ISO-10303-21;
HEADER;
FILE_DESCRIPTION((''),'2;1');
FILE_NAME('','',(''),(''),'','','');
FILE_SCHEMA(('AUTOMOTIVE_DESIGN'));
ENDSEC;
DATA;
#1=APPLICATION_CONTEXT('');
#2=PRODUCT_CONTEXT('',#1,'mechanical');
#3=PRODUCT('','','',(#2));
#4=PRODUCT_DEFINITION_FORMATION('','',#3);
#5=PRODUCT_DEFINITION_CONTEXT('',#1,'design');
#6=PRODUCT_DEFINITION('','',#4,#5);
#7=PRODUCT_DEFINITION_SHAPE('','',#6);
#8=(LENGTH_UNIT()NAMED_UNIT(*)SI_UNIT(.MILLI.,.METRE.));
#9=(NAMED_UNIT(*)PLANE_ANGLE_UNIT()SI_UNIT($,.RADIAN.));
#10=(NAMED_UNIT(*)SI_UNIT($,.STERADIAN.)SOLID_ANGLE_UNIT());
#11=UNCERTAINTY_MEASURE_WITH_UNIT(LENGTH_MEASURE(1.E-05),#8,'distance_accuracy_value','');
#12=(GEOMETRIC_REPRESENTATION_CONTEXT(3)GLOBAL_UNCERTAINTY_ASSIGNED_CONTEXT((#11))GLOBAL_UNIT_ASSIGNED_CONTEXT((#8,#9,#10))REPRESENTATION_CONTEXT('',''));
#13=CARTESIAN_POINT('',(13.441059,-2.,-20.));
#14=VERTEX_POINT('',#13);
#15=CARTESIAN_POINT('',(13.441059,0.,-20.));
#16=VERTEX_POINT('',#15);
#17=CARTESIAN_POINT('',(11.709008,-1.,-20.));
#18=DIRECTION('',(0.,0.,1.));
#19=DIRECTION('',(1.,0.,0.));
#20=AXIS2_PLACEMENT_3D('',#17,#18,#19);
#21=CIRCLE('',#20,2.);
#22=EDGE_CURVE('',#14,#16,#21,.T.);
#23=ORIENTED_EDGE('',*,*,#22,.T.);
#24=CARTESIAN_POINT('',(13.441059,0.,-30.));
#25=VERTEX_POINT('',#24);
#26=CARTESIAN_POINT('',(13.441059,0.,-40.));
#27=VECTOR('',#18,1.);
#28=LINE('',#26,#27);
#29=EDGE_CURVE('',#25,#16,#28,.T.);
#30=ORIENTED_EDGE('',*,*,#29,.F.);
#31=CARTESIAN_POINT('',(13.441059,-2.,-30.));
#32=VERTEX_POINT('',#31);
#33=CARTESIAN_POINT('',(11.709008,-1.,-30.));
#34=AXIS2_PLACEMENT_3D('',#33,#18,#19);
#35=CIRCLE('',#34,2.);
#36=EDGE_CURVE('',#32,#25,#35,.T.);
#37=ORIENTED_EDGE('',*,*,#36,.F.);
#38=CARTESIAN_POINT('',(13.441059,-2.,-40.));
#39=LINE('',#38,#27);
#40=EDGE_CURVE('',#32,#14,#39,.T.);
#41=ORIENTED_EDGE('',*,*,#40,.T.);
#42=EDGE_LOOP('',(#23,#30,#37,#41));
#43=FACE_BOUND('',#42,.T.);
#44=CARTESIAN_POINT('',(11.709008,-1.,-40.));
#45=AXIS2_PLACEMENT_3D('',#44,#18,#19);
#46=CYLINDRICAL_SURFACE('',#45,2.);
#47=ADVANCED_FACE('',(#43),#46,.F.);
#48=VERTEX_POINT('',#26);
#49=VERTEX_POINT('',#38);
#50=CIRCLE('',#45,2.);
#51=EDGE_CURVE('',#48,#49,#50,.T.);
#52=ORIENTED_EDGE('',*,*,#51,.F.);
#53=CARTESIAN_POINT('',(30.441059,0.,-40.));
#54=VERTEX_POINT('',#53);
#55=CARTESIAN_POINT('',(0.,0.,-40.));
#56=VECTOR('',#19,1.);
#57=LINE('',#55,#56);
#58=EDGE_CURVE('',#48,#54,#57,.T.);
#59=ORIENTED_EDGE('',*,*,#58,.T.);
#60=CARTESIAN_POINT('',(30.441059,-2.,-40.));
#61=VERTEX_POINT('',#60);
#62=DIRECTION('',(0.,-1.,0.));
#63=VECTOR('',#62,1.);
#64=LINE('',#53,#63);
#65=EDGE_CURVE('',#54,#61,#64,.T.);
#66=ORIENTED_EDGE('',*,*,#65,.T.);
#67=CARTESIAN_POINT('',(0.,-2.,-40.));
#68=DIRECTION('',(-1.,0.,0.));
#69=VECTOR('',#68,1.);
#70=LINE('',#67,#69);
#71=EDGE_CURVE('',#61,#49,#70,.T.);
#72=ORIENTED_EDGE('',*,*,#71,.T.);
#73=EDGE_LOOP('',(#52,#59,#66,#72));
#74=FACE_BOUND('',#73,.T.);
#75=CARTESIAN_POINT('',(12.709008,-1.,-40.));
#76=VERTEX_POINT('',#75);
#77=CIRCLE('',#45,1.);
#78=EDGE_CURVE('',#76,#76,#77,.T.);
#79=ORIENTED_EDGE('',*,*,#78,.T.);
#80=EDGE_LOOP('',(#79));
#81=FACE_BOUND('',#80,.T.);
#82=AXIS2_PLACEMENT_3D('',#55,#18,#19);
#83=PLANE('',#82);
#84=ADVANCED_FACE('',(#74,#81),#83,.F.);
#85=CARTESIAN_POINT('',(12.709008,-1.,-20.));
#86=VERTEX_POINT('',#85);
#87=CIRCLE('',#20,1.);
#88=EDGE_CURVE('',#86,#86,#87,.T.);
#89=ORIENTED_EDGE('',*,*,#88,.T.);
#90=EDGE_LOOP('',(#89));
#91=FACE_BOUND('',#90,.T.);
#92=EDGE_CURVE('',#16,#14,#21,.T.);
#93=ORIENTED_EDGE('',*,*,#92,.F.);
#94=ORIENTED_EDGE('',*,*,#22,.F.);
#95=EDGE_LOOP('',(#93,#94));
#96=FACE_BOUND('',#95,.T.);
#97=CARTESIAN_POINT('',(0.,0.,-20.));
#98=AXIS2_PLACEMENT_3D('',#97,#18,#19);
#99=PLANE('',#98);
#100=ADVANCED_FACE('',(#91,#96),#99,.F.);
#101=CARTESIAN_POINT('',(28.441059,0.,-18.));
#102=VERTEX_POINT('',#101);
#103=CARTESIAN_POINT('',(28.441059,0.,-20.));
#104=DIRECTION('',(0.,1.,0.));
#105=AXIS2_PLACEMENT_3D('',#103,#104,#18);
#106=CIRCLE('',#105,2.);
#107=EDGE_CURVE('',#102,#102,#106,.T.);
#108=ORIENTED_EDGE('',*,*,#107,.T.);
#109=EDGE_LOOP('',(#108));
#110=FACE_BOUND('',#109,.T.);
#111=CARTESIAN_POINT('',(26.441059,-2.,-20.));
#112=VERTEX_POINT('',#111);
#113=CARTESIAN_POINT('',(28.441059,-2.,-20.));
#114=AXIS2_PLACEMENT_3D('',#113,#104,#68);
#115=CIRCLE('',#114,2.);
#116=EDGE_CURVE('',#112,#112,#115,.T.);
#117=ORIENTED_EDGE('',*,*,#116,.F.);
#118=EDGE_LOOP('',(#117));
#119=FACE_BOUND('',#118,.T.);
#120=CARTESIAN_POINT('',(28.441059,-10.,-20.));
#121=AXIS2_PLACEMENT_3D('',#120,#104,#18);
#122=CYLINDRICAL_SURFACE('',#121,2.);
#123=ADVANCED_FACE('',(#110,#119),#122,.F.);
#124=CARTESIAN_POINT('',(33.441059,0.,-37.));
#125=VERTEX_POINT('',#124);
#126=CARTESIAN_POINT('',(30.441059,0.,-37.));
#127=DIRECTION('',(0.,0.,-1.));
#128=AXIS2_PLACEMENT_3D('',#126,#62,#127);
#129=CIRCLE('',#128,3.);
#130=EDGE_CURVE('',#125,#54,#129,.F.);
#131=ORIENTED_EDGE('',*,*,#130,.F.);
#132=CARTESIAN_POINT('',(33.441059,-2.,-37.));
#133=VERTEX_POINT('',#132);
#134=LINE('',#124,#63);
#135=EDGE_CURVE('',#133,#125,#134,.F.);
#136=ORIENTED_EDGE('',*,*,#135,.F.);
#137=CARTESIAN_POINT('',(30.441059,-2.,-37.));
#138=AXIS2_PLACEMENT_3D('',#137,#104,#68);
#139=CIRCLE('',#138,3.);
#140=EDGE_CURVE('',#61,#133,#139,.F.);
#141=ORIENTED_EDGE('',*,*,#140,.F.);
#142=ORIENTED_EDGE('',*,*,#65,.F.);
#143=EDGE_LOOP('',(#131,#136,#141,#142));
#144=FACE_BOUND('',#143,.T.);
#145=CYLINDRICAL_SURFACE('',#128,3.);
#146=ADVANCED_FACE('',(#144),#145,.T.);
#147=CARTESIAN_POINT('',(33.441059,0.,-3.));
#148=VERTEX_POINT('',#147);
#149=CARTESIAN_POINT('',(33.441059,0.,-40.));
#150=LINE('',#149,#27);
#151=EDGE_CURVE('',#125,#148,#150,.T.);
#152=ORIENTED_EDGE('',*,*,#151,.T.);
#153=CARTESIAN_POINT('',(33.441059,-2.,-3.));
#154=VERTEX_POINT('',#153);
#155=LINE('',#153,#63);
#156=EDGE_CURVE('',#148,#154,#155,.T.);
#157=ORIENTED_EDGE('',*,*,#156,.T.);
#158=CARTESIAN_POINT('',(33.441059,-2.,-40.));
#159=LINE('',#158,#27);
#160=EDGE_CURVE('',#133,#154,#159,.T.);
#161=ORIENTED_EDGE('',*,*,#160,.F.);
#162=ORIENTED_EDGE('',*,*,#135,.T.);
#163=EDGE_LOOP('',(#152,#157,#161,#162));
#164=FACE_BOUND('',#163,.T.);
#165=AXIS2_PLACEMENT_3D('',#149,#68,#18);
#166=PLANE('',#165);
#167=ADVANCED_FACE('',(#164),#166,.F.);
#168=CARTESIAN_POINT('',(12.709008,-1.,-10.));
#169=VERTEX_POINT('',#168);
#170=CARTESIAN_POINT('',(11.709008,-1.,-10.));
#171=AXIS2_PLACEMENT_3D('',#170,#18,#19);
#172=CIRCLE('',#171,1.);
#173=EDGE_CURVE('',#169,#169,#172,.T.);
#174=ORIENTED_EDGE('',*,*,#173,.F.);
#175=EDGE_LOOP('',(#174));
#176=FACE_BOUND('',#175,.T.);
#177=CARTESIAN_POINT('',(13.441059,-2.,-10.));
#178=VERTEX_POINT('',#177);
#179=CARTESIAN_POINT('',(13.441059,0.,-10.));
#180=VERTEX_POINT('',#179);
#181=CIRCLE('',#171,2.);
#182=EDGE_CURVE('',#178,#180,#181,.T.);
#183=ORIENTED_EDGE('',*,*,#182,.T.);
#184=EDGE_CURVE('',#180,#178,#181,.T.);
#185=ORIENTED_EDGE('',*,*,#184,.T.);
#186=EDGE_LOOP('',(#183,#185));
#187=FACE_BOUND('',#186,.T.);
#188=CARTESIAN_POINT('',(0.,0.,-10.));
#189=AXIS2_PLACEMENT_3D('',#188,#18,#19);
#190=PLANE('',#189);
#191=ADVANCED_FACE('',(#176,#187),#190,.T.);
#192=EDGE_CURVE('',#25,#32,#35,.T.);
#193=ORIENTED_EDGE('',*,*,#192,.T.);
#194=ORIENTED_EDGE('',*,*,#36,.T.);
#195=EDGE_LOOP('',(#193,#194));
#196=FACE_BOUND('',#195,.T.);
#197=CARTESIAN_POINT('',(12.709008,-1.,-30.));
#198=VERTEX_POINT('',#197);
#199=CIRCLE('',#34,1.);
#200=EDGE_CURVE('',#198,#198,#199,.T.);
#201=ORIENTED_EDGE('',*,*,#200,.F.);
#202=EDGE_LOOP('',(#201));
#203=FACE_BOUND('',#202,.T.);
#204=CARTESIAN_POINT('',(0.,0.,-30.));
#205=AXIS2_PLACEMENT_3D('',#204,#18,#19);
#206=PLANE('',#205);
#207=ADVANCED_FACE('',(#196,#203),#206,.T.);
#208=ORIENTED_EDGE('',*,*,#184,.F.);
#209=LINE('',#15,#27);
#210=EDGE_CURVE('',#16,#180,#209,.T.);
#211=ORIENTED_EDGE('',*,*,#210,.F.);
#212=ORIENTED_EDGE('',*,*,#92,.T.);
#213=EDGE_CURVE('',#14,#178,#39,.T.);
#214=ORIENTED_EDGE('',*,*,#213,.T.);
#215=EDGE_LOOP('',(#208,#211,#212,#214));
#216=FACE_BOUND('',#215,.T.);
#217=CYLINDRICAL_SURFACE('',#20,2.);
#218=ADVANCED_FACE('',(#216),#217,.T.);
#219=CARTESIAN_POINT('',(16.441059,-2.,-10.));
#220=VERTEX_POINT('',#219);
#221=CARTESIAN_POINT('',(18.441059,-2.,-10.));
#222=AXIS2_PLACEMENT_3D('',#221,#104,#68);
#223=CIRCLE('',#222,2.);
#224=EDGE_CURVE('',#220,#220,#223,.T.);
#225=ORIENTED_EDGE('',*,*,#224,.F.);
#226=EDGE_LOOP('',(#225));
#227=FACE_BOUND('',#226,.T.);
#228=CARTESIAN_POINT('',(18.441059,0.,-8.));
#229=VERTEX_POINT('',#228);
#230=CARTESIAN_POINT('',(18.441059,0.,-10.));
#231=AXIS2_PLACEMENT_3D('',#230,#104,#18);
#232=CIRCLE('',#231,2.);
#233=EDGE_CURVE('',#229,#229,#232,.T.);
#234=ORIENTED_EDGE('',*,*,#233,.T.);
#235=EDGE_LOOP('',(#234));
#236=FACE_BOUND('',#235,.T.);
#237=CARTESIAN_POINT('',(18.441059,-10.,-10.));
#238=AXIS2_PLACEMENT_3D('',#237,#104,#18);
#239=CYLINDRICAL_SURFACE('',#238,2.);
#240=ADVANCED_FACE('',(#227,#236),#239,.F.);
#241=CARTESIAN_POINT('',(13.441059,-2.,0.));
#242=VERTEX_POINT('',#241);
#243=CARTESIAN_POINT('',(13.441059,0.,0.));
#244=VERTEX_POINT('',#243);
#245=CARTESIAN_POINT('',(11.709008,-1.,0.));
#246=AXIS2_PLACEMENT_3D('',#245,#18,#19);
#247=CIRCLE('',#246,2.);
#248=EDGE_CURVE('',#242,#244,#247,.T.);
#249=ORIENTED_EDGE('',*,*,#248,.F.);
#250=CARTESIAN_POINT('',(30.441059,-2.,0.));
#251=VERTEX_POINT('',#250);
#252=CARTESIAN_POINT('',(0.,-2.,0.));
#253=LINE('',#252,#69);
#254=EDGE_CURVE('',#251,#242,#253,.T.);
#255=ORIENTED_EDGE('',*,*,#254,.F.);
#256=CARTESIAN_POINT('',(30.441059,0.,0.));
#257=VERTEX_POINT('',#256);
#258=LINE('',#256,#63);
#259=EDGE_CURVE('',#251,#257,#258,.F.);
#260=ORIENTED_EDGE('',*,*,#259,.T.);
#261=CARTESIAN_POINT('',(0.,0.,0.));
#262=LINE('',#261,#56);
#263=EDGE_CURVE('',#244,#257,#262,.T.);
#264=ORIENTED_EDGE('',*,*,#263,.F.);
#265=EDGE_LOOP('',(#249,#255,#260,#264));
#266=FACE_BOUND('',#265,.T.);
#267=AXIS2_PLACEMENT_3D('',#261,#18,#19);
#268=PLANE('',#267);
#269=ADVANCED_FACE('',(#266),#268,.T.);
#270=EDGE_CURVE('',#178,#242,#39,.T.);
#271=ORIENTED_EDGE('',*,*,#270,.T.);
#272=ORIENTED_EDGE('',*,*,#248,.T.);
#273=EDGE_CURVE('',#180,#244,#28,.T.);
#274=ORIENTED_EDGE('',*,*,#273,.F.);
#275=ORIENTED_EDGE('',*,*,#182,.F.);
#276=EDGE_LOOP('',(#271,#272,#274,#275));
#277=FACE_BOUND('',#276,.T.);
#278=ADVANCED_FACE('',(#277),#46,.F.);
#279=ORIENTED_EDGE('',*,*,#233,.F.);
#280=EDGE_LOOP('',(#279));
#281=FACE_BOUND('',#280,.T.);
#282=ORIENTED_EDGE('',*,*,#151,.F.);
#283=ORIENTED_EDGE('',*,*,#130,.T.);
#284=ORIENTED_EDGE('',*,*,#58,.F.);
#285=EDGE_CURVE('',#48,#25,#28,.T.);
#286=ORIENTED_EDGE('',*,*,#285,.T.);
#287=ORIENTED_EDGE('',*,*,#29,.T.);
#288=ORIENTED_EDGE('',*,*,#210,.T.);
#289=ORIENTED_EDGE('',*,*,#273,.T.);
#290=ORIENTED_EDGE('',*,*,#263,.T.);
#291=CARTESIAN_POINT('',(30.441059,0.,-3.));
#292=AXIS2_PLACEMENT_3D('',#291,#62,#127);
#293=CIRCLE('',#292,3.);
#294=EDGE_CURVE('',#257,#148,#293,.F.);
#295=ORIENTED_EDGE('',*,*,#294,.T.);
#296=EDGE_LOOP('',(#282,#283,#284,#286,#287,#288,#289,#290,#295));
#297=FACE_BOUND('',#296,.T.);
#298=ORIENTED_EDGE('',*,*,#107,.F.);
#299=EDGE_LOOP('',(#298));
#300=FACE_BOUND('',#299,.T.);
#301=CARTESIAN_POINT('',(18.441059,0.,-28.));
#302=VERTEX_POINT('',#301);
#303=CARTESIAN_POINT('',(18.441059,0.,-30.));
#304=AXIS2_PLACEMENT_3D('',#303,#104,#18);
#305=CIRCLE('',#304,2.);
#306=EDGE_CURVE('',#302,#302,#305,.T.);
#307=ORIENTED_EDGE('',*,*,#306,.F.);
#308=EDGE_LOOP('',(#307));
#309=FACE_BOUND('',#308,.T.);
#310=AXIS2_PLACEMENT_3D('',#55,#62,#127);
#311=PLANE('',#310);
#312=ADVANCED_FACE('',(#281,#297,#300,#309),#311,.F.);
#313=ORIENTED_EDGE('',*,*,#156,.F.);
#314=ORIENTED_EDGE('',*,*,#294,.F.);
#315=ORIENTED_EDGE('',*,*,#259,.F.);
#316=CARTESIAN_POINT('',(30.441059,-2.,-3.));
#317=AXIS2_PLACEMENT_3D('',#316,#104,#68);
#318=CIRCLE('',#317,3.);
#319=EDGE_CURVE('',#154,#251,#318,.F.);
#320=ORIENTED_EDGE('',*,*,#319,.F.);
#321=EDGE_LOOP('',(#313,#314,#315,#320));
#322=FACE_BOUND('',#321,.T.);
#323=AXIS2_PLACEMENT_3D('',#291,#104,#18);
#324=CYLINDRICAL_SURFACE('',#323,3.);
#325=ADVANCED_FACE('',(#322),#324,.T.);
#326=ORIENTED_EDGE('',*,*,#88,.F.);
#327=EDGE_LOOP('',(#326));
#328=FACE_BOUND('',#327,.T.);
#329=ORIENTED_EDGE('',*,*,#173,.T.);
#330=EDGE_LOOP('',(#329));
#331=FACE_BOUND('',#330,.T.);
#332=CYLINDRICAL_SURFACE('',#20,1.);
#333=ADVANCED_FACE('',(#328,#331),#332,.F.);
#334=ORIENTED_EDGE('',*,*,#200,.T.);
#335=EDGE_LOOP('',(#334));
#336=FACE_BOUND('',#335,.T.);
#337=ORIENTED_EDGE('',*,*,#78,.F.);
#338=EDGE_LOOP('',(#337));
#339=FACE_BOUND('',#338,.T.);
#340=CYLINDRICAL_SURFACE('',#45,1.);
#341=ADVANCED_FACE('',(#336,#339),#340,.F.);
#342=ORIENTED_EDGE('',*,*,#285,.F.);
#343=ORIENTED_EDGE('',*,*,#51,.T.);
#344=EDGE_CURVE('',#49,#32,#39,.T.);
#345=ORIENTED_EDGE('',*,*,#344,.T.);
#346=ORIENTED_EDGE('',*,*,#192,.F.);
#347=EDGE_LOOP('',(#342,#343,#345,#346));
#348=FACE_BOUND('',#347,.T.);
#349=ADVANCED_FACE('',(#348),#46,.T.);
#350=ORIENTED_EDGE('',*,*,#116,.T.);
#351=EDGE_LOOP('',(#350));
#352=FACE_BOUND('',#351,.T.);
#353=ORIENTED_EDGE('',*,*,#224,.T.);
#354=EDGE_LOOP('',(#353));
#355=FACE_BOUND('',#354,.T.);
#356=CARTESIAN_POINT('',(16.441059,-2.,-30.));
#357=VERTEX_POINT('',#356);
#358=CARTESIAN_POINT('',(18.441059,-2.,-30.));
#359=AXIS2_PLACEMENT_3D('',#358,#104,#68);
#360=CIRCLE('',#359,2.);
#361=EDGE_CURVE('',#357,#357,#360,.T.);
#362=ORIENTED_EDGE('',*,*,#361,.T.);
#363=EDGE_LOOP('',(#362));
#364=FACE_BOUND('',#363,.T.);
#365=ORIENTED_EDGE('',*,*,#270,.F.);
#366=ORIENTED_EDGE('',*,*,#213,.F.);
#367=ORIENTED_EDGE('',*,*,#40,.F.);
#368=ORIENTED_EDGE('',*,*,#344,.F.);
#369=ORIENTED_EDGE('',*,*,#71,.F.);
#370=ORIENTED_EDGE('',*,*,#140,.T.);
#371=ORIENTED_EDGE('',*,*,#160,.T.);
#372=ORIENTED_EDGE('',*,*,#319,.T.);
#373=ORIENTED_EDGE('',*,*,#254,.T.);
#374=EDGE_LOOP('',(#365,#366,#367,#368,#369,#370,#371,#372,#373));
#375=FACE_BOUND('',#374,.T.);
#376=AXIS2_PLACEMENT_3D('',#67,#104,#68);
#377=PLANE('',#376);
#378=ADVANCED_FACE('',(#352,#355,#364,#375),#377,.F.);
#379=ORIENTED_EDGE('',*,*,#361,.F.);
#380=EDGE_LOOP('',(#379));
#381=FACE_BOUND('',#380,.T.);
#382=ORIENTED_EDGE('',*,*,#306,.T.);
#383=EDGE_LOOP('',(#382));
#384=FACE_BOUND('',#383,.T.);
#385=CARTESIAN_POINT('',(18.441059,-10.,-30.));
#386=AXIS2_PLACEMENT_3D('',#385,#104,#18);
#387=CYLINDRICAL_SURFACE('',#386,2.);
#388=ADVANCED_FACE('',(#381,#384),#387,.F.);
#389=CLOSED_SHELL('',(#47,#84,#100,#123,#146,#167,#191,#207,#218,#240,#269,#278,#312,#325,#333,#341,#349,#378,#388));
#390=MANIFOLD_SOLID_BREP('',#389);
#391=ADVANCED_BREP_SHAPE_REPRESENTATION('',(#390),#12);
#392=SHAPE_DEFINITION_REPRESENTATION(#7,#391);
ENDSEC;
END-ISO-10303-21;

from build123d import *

# Parameters (mm, degrees)
BOSS_EXTRUDE1_DEPTH = 40
BOSS_EXTRUDE2_START = -10
SKETCH1_3_R         = 1
BOSS_EXTRUDE2_DEPTH = 10
BOSS_EXTRUDE3_START = -30
SKETCH1_4_R         = 1
BOSS_EXTRUDE3_DEPTH = 10
SKETCH2_R           = 2
CUT_EXTRUDE1_DEPTH  = 10
FILLET1_R           = 3
FILLET2_R           = 3


with BuildPart() as part:
    # Sketch1 → Boss-Extrude1 (new body)
    with BuildSketch(Plane.XY):
        with BuildLine():
            Line((33.441058941, -2), (33.441058941, 0))
            Line((33.441058941, 0), (13.441058941, 0))
            ThreePointArc((13.441058941, 0), (13.640859786, -0.48236191), (13.709008133, -1))
            ThreePointArc((13.709008133, -1), (13.640859786, -1.51763809), (13.441058941, -2))
            Line((13.441058941, -2), (33.441058941, -2))
        make_face()
    extrude(amount=-BOSS_EXTRUDE1_DEPTH)

    # Sketch1<3> → Boss-Extrude2 (add)
    with BuildSketch(Plane.XY.offset(BOSS_EXTRUDE2_START)):
        with BuildLine():
            ThreePointArc((13.709008133, -1), (13.640859786, -0.48236191), (13.441058941, 0))
            ThreePointArc((13.441058941, 0), (9.709008133, -1), (13.441058941, -2))
            ThreePointArc((13.441058941, -2), (13.640859786, -1.51763809), (13.709008133, -1))
        make_face()
        with Locations((11.709008133, -1)):
            Circle(SKETCH1_3_R, mode=Mode.SUBTRACT)
    extrude(amount=-BOSS_EXTRUDE2_DEPTH)

    # Sketch1<4> → Boss-Extrude3 (add)
    with BuildSketch(Plane.XY.offset(BOSS_EXTRUDE3_START)):
        with BuildLine():
            ThreePointArc((13.709008133, -1), (13.640859786, -0.48236191), (13.441058941, 0))
            ThreePointArc((13.441058941, 0), (9.709008133, -1), (13.441058941, -2))
            ThreePointArc((13.441058941, -2), (13.640859786, -1.51763809), (13.709008133, -1))
        make_face()
        with Locations((11.709008133, -1)):
            Circle(SKETCH1_4_R, mode=Mode.SUBTRACT)
    extrude(amount=-BOSS_EXTRUDE3_DEPTH)

    # Sketch2 → Cut-Extrude1 (cut)
    with BuildSketch(Plane(origin=(0, 0, 0), x_dir=(1, 0, 0), z_dir=(0, 1, 0))):
        with Locations((18.441058941, 30)):
            Circle(SKETCH2_R)
        with Locations((18.441058941, 10)):
            Circle(SKETCH2_R)
        with Locations((28.441058941, 20)):
            Circle(SKETCH2_R)
    extrude(amount=-CUT_EXTRUDE1_DEPTH, mode=Mode.SUBTRACT)

    # Fillet1
    fillet1_edges = [part.edges().sort_by_distance(p)[0] for p in [
        (33.441058941, -1, 0),
    ]]
    fillet(fillet1_edges, radius=FILLET1_R)

    # Fillet2
    fillet2_edges = [part.edges().sort_by_distance(p)[0] for p in [
        (33.441058941, -1, -40),
    ]]
    fillet(fillet2_edges, radius=FILLET2_R)


solid = part.part
